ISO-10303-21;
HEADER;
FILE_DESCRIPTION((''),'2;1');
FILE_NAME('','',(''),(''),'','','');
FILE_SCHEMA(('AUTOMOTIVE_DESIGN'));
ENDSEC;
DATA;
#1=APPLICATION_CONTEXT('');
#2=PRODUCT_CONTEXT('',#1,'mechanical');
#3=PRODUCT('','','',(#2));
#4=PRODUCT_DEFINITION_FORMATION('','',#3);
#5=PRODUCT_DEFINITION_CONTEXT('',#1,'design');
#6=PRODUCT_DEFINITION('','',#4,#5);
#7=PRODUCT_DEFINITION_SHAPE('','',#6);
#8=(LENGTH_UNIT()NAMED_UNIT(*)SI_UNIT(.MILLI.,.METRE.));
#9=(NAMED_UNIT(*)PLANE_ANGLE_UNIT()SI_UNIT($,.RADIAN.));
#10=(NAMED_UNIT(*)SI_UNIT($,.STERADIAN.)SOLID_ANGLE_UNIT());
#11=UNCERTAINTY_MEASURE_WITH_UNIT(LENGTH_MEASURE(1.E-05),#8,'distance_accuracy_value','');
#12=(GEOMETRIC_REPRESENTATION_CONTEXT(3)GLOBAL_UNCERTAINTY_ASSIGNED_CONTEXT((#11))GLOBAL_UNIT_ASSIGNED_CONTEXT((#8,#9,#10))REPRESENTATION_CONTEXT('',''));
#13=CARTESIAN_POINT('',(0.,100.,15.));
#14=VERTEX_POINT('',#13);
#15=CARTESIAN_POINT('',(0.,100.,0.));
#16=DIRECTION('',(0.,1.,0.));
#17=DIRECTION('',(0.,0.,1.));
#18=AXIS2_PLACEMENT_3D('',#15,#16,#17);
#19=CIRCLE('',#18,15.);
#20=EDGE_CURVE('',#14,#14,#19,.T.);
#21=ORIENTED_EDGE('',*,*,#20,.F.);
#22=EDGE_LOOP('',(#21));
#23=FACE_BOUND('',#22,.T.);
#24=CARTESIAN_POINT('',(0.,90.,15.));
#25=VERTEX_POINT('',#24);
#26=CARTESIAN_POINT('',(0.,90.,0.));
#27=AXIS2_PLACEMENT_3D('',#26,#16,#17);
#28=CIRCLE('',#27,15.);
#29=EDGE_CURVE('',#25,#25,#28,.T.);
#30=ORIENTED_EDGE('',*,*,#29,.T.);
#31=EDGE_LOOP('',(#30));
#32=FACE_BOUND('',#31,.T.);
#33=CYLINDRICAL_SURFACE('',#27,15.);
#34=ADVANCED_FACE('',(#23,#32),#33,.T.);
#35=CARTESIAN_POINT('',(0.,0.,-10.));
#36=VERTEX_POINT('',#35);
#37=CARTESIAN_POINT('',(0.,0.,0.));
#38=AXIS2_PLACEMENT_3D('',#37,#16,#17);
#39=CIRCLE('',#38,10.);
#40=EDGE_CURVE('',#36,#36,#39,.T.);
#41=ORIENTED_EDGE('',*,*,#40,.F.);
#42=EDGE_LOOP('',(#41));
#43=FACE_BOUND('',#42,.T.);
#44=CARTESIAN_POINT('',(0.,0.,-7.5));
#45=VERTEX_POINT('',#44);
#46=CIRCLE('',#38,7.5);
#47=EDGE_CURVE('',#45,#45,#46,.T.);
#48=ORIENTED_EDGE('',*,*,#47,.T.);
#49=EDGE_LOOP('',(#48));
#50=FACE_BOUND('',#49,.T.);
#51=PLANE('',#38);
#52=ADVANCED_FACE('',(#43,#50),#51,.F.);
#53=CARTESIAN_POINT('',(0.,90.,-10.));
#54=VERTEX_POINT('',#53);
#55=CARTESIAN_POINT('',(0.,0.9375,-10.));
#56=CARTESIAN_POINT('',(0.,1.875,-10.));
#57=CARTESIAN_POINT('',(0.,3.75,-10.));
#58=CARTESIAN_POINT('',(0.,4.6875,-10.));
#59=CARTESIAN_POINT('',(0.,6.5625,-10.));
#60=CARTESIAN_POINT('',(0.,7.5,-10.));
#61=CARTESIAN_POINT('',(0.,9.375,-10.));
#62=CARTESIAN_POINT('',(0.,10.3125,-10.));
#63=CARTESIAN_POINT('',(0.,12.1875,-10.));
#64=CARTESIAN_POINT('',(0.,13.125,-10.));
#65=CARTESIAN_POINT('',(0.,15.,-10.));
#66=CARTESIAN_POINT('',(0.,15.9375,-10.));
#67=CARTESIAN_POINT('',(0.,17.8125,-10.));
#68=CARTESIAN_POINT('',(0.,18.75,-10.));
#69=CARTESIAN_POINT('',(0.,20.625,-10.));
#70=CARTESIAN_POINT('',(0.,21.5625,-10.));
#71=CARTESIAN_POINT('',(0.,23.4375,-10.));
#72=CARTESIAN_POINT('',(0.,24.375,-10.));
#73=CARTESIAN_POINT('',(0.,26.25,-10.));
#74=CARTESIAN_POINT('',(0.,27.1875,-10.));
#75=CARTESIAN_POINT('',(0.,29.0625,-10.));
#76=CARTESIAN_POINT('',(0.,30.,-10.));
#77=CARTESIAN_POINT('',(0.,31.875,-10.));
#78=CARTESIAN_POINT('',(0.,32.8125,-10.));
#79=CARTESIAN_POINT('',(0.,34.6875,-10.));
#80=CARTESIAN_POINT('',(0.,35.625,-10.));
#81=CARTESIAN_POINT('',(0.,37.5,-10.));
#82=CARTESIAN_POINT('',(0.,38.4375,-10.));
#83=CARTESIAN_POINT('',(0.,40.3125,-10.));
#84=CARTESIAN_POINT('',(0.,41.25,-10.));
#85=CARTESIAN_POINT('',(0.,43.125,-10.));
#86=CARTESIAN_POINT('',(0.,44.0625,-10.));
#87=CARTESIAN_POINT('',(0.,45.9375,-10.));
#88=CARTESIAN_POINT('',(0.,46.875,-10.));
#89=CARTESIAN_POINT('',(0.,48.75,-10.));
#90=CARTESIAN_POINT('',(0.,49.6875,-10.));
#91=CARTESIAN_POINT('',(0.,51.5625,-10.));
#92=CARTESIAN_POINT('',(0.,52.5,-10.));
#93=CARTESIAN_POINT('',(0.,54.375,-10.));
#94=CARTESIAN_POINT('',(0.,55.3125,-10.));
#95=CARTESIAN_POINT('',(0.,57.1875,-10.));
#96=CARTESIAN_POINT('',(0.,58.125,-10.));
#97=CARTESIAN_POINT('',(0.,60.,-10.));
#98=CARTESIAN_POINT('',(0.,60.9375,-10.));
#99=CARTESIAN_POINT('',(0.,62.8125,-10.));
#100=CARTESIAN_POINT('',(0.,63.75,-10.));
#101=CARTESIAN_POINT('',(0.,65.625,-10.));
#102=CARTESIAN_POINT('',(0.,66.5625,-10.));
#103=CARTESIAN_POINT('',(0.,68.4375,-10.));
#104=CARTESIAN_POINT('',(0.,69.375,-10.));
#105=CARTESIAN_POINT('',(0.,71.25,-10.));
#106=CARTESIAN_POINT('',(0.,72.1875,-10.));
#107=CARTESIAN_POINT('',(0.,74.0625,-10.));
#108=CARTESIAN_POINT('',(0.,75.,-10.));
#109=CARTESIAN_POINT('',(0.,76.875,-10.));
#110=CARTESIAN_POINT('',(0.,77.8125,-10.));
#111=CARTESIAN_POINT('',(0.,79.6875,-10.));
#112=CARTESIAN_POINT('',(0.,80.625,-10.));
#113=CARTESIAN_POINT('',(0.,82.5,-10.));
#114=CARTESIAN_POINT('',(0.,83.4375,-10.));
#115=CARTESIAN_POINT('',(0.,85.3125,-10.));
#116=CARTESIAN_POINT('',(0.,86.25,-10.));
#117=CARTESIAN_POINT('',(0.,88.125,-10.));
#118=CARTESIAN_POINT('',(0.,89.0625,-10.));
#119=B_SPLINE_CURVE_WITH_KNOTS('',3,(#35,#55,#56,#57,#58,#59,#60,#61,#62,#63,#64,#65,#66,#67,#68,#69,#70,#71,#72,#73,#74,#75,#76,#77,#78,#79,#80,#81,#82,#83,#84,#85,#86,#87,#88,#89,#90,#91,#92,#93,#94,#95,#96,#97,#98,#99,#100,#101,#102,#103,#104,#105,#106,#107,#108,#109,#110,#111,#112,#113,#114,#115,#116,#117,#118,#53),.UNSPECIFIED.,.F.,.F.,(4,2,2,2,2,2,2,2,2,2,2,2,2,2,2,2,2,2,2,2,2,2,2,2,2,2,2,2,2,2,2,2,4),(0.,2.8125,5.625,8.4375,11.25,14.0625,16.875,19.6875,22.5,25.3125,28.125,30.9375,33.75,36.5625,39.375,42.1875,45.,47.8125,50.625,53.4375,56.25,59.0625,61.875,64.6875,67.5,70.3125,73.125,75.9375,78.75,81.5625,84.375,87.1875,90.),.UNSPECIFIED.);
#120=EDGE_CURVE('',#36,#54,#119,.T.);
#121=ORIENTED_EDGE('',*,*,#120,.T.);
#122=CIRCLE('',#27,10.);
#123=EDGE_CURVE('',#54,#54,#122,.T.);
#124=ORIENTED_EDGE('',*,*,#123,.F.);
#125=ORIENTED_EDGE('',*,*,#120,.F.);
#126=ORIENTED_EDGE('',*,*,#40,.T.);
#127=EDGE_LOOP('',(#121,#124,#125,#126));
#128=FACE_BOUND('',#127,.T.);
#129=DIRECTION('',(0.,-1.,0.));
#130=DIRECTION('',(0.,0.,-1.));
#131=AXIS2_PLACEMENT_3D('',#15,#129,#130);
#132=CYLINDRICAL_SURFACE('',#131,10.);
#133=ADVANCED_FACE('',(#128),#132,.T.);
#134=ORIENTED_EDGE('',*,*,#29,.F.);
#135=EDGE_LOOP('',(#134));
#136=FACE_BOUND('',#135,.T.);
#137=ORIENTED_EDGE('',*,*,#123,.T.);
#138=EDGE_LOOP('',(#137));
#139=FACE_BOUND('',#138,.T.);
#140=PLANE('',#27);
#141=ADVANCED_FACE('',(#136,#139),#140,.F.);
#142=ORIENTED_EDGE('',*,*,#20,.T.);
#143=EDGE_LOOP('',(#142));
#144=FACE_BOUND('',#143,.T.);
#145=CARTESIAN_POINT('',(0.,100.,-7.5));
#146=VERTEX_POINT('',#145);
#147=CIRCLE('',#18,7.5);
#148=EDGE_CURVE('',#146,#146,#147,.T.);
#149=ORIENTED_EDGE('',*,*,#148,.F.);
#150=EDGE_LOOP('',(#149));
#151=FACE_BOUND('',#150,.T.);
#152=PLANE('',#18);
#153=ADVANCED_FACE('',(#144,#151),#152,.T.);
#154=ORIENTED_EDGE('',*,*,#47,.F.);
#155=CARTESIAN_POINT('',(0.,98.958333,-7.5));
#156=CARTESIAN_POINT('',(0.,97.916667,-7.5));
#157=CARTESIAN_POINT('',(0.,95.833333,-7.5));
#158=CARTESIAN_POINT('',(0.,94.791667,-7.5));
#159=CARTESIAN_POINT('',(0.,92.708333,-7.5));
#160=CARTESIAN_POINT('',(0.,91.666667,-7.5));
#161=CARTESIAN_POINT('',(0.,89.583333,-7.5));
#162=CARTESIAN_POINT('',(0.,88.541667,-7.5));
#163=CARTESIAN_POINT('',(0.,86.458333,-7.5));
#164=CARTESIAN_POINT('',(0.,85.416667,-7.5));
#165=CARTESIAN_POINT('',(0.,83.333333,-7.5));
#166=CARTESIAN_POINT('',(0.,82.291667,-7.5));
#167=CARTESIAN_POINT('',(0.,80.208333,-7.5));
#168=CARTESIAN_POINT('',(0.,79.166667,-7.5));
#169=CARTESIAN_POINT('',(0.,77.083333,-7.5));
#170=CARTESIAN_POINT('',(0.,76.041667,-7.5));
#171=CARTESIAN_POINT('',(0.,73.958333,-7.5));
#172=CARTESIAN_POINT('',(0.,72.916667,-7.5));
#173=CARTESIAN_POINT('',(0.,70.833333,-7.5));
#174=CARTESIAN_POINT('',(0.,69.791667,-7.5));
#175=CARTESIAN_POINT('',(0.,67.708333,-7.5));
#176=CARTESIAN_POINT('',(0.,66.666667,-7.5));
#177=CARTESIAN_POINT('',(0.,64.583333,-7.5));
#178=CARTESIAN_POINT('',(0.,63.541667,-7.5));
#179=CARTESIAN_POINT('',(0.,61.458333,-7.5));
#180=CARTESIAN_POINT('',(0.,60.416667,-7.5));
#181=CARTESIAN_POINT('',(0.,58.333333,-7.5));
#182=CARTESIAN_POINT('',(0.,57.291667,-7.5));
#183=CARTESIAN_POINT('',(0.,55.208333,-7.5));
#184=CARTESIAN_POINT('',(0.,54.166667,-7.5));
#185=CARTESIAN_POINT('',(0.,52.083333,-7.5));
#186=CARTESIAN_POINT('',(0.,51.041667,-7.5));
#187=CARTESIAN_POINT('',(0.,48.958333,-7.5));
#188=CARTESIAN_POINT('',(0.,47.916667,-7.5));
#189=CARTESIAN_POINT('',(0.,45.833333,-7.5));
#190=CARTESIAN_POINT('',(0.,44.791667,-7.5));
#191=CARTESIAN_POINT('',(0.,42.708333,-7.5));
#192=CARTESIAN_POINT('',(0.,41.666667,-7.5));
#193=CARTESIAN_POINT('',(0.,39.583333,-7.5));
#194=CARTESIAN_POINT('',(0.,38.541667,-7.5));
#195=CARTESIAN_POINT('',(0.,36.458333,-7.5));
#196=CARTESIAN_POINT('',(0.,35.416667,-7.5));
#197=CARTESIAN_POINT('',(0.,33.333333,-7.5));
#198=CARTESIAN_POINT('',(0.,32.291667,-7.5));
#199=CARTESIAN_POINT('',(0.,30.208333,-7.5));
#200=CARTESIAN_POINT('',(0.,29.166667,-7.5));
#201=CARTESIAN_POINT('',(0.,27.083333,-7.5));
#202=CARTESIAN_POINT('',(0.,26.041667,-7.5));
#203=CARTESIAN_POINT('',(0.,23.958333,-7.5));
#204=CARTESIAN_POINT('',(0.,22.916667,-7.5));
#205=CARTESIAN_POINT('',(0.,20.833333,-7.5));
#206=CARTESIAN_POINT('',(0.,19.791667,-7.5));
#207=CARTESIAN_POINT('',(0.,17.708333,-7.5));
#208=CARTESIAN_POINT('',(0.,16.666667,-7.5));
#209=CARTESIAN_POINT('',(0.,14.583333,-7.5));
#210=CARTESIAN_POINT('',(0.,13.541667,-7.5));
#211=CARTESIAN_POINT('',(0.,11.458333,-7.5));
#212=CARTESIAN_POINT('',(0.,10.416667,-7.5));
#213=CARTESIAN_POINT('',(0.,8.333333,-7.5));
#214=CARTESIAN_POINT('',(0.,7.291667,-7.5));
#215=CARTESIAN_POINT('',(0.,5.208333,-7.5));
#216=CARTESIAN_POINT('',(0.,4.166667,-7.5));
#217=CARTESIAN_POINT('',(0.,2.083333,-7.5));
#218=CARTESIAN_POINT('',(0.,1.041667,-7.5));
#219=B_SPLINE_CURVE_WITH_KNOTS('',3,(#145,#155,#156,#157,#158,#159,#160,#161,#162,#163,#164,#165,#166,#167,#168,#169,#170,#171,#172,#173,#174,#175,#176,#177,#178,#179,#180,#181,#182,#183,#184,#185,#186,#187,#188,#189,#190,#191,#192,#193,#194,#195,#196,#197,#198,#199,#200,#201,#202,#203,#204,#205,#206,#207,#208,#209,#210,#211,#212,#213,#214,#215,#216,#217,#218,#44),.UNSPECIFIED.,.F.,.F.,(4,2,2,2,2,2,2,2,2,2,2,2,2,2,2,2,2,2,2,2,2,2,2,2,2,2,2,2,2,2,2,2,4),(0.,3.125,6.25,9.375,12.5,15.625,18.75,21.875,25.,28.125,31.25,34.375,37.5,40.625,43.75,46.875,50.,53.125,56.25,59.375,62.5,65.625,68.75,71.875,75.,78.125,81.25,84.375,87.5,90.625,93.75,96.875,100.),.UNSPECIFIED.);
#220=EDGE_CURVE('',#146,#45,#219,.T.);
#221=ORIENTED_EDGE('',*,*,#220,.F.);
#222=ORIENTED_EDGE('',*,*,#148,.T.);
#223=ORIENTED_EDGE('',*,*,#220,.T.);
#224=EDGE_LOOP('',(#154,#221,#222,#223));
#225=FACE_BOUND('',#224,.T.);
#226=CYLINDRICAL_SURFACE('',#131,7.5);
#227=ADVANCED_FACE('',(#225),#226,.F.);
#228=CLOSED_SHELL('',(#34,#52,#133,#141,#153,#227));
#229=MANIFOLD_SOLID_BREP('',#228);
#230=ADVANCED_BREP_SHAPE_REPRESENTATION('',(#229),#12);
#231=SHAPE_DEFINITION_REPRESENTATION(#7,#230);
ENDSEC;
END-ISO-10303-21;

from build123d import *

# Parameters (mm, degrees)
SKETCH1_R           = 10
SKETCH1_R_2         = 7.5
BOSS_EXTRUDE1_DEPTH = 100
BOSS_EXTRUDE2_START = -10
SKETCH2_R           = 15
SKETCH2_R_2         = 10
BOSS_EXTRUDE2_DEPTH = 10


with BuildPart() as part:
    # Sketch1 → Boss-Extrude1 (new body)
    with BuildSketch(Plane(origin=(0, 0, 0), x_dir=(1, 0, 0), z_dir=(0, 1, 0))):
        with Locations(Location((0, 0, 0), (0, 0, 90))):
            Circle(SKETCH1_R)
        with Locations(Location((0, 0, 0), (0, 0, 90))):
            Circle(SKETCH1_R_2, mode=Mode.SUBTRACT)
    extrude(amount=BOSS_EXTRUDE1_DEPTH)

    # Sketch2 → Boss-Extrude2 (add)
    with BuildSketch(Plane(origin=(0, 100, 0), x_dir=(1, 0, 0), z_dir=(0, 1, 0)).offset(BOSS_EXTRUDE2_START)):
        with Locations(Location((0, 0, 0), (0, 0, 270))):
            Circle(SKETCH2_R)
        with Locations(Location((0, 0, 0), (0, 0, 90))):
            Circle(SKETCH2_R_2, mode=Mode.SUBTRACT)
    extrude(amount=BOSS_EXTRUDE2_DEPTH)


solid = part.part
